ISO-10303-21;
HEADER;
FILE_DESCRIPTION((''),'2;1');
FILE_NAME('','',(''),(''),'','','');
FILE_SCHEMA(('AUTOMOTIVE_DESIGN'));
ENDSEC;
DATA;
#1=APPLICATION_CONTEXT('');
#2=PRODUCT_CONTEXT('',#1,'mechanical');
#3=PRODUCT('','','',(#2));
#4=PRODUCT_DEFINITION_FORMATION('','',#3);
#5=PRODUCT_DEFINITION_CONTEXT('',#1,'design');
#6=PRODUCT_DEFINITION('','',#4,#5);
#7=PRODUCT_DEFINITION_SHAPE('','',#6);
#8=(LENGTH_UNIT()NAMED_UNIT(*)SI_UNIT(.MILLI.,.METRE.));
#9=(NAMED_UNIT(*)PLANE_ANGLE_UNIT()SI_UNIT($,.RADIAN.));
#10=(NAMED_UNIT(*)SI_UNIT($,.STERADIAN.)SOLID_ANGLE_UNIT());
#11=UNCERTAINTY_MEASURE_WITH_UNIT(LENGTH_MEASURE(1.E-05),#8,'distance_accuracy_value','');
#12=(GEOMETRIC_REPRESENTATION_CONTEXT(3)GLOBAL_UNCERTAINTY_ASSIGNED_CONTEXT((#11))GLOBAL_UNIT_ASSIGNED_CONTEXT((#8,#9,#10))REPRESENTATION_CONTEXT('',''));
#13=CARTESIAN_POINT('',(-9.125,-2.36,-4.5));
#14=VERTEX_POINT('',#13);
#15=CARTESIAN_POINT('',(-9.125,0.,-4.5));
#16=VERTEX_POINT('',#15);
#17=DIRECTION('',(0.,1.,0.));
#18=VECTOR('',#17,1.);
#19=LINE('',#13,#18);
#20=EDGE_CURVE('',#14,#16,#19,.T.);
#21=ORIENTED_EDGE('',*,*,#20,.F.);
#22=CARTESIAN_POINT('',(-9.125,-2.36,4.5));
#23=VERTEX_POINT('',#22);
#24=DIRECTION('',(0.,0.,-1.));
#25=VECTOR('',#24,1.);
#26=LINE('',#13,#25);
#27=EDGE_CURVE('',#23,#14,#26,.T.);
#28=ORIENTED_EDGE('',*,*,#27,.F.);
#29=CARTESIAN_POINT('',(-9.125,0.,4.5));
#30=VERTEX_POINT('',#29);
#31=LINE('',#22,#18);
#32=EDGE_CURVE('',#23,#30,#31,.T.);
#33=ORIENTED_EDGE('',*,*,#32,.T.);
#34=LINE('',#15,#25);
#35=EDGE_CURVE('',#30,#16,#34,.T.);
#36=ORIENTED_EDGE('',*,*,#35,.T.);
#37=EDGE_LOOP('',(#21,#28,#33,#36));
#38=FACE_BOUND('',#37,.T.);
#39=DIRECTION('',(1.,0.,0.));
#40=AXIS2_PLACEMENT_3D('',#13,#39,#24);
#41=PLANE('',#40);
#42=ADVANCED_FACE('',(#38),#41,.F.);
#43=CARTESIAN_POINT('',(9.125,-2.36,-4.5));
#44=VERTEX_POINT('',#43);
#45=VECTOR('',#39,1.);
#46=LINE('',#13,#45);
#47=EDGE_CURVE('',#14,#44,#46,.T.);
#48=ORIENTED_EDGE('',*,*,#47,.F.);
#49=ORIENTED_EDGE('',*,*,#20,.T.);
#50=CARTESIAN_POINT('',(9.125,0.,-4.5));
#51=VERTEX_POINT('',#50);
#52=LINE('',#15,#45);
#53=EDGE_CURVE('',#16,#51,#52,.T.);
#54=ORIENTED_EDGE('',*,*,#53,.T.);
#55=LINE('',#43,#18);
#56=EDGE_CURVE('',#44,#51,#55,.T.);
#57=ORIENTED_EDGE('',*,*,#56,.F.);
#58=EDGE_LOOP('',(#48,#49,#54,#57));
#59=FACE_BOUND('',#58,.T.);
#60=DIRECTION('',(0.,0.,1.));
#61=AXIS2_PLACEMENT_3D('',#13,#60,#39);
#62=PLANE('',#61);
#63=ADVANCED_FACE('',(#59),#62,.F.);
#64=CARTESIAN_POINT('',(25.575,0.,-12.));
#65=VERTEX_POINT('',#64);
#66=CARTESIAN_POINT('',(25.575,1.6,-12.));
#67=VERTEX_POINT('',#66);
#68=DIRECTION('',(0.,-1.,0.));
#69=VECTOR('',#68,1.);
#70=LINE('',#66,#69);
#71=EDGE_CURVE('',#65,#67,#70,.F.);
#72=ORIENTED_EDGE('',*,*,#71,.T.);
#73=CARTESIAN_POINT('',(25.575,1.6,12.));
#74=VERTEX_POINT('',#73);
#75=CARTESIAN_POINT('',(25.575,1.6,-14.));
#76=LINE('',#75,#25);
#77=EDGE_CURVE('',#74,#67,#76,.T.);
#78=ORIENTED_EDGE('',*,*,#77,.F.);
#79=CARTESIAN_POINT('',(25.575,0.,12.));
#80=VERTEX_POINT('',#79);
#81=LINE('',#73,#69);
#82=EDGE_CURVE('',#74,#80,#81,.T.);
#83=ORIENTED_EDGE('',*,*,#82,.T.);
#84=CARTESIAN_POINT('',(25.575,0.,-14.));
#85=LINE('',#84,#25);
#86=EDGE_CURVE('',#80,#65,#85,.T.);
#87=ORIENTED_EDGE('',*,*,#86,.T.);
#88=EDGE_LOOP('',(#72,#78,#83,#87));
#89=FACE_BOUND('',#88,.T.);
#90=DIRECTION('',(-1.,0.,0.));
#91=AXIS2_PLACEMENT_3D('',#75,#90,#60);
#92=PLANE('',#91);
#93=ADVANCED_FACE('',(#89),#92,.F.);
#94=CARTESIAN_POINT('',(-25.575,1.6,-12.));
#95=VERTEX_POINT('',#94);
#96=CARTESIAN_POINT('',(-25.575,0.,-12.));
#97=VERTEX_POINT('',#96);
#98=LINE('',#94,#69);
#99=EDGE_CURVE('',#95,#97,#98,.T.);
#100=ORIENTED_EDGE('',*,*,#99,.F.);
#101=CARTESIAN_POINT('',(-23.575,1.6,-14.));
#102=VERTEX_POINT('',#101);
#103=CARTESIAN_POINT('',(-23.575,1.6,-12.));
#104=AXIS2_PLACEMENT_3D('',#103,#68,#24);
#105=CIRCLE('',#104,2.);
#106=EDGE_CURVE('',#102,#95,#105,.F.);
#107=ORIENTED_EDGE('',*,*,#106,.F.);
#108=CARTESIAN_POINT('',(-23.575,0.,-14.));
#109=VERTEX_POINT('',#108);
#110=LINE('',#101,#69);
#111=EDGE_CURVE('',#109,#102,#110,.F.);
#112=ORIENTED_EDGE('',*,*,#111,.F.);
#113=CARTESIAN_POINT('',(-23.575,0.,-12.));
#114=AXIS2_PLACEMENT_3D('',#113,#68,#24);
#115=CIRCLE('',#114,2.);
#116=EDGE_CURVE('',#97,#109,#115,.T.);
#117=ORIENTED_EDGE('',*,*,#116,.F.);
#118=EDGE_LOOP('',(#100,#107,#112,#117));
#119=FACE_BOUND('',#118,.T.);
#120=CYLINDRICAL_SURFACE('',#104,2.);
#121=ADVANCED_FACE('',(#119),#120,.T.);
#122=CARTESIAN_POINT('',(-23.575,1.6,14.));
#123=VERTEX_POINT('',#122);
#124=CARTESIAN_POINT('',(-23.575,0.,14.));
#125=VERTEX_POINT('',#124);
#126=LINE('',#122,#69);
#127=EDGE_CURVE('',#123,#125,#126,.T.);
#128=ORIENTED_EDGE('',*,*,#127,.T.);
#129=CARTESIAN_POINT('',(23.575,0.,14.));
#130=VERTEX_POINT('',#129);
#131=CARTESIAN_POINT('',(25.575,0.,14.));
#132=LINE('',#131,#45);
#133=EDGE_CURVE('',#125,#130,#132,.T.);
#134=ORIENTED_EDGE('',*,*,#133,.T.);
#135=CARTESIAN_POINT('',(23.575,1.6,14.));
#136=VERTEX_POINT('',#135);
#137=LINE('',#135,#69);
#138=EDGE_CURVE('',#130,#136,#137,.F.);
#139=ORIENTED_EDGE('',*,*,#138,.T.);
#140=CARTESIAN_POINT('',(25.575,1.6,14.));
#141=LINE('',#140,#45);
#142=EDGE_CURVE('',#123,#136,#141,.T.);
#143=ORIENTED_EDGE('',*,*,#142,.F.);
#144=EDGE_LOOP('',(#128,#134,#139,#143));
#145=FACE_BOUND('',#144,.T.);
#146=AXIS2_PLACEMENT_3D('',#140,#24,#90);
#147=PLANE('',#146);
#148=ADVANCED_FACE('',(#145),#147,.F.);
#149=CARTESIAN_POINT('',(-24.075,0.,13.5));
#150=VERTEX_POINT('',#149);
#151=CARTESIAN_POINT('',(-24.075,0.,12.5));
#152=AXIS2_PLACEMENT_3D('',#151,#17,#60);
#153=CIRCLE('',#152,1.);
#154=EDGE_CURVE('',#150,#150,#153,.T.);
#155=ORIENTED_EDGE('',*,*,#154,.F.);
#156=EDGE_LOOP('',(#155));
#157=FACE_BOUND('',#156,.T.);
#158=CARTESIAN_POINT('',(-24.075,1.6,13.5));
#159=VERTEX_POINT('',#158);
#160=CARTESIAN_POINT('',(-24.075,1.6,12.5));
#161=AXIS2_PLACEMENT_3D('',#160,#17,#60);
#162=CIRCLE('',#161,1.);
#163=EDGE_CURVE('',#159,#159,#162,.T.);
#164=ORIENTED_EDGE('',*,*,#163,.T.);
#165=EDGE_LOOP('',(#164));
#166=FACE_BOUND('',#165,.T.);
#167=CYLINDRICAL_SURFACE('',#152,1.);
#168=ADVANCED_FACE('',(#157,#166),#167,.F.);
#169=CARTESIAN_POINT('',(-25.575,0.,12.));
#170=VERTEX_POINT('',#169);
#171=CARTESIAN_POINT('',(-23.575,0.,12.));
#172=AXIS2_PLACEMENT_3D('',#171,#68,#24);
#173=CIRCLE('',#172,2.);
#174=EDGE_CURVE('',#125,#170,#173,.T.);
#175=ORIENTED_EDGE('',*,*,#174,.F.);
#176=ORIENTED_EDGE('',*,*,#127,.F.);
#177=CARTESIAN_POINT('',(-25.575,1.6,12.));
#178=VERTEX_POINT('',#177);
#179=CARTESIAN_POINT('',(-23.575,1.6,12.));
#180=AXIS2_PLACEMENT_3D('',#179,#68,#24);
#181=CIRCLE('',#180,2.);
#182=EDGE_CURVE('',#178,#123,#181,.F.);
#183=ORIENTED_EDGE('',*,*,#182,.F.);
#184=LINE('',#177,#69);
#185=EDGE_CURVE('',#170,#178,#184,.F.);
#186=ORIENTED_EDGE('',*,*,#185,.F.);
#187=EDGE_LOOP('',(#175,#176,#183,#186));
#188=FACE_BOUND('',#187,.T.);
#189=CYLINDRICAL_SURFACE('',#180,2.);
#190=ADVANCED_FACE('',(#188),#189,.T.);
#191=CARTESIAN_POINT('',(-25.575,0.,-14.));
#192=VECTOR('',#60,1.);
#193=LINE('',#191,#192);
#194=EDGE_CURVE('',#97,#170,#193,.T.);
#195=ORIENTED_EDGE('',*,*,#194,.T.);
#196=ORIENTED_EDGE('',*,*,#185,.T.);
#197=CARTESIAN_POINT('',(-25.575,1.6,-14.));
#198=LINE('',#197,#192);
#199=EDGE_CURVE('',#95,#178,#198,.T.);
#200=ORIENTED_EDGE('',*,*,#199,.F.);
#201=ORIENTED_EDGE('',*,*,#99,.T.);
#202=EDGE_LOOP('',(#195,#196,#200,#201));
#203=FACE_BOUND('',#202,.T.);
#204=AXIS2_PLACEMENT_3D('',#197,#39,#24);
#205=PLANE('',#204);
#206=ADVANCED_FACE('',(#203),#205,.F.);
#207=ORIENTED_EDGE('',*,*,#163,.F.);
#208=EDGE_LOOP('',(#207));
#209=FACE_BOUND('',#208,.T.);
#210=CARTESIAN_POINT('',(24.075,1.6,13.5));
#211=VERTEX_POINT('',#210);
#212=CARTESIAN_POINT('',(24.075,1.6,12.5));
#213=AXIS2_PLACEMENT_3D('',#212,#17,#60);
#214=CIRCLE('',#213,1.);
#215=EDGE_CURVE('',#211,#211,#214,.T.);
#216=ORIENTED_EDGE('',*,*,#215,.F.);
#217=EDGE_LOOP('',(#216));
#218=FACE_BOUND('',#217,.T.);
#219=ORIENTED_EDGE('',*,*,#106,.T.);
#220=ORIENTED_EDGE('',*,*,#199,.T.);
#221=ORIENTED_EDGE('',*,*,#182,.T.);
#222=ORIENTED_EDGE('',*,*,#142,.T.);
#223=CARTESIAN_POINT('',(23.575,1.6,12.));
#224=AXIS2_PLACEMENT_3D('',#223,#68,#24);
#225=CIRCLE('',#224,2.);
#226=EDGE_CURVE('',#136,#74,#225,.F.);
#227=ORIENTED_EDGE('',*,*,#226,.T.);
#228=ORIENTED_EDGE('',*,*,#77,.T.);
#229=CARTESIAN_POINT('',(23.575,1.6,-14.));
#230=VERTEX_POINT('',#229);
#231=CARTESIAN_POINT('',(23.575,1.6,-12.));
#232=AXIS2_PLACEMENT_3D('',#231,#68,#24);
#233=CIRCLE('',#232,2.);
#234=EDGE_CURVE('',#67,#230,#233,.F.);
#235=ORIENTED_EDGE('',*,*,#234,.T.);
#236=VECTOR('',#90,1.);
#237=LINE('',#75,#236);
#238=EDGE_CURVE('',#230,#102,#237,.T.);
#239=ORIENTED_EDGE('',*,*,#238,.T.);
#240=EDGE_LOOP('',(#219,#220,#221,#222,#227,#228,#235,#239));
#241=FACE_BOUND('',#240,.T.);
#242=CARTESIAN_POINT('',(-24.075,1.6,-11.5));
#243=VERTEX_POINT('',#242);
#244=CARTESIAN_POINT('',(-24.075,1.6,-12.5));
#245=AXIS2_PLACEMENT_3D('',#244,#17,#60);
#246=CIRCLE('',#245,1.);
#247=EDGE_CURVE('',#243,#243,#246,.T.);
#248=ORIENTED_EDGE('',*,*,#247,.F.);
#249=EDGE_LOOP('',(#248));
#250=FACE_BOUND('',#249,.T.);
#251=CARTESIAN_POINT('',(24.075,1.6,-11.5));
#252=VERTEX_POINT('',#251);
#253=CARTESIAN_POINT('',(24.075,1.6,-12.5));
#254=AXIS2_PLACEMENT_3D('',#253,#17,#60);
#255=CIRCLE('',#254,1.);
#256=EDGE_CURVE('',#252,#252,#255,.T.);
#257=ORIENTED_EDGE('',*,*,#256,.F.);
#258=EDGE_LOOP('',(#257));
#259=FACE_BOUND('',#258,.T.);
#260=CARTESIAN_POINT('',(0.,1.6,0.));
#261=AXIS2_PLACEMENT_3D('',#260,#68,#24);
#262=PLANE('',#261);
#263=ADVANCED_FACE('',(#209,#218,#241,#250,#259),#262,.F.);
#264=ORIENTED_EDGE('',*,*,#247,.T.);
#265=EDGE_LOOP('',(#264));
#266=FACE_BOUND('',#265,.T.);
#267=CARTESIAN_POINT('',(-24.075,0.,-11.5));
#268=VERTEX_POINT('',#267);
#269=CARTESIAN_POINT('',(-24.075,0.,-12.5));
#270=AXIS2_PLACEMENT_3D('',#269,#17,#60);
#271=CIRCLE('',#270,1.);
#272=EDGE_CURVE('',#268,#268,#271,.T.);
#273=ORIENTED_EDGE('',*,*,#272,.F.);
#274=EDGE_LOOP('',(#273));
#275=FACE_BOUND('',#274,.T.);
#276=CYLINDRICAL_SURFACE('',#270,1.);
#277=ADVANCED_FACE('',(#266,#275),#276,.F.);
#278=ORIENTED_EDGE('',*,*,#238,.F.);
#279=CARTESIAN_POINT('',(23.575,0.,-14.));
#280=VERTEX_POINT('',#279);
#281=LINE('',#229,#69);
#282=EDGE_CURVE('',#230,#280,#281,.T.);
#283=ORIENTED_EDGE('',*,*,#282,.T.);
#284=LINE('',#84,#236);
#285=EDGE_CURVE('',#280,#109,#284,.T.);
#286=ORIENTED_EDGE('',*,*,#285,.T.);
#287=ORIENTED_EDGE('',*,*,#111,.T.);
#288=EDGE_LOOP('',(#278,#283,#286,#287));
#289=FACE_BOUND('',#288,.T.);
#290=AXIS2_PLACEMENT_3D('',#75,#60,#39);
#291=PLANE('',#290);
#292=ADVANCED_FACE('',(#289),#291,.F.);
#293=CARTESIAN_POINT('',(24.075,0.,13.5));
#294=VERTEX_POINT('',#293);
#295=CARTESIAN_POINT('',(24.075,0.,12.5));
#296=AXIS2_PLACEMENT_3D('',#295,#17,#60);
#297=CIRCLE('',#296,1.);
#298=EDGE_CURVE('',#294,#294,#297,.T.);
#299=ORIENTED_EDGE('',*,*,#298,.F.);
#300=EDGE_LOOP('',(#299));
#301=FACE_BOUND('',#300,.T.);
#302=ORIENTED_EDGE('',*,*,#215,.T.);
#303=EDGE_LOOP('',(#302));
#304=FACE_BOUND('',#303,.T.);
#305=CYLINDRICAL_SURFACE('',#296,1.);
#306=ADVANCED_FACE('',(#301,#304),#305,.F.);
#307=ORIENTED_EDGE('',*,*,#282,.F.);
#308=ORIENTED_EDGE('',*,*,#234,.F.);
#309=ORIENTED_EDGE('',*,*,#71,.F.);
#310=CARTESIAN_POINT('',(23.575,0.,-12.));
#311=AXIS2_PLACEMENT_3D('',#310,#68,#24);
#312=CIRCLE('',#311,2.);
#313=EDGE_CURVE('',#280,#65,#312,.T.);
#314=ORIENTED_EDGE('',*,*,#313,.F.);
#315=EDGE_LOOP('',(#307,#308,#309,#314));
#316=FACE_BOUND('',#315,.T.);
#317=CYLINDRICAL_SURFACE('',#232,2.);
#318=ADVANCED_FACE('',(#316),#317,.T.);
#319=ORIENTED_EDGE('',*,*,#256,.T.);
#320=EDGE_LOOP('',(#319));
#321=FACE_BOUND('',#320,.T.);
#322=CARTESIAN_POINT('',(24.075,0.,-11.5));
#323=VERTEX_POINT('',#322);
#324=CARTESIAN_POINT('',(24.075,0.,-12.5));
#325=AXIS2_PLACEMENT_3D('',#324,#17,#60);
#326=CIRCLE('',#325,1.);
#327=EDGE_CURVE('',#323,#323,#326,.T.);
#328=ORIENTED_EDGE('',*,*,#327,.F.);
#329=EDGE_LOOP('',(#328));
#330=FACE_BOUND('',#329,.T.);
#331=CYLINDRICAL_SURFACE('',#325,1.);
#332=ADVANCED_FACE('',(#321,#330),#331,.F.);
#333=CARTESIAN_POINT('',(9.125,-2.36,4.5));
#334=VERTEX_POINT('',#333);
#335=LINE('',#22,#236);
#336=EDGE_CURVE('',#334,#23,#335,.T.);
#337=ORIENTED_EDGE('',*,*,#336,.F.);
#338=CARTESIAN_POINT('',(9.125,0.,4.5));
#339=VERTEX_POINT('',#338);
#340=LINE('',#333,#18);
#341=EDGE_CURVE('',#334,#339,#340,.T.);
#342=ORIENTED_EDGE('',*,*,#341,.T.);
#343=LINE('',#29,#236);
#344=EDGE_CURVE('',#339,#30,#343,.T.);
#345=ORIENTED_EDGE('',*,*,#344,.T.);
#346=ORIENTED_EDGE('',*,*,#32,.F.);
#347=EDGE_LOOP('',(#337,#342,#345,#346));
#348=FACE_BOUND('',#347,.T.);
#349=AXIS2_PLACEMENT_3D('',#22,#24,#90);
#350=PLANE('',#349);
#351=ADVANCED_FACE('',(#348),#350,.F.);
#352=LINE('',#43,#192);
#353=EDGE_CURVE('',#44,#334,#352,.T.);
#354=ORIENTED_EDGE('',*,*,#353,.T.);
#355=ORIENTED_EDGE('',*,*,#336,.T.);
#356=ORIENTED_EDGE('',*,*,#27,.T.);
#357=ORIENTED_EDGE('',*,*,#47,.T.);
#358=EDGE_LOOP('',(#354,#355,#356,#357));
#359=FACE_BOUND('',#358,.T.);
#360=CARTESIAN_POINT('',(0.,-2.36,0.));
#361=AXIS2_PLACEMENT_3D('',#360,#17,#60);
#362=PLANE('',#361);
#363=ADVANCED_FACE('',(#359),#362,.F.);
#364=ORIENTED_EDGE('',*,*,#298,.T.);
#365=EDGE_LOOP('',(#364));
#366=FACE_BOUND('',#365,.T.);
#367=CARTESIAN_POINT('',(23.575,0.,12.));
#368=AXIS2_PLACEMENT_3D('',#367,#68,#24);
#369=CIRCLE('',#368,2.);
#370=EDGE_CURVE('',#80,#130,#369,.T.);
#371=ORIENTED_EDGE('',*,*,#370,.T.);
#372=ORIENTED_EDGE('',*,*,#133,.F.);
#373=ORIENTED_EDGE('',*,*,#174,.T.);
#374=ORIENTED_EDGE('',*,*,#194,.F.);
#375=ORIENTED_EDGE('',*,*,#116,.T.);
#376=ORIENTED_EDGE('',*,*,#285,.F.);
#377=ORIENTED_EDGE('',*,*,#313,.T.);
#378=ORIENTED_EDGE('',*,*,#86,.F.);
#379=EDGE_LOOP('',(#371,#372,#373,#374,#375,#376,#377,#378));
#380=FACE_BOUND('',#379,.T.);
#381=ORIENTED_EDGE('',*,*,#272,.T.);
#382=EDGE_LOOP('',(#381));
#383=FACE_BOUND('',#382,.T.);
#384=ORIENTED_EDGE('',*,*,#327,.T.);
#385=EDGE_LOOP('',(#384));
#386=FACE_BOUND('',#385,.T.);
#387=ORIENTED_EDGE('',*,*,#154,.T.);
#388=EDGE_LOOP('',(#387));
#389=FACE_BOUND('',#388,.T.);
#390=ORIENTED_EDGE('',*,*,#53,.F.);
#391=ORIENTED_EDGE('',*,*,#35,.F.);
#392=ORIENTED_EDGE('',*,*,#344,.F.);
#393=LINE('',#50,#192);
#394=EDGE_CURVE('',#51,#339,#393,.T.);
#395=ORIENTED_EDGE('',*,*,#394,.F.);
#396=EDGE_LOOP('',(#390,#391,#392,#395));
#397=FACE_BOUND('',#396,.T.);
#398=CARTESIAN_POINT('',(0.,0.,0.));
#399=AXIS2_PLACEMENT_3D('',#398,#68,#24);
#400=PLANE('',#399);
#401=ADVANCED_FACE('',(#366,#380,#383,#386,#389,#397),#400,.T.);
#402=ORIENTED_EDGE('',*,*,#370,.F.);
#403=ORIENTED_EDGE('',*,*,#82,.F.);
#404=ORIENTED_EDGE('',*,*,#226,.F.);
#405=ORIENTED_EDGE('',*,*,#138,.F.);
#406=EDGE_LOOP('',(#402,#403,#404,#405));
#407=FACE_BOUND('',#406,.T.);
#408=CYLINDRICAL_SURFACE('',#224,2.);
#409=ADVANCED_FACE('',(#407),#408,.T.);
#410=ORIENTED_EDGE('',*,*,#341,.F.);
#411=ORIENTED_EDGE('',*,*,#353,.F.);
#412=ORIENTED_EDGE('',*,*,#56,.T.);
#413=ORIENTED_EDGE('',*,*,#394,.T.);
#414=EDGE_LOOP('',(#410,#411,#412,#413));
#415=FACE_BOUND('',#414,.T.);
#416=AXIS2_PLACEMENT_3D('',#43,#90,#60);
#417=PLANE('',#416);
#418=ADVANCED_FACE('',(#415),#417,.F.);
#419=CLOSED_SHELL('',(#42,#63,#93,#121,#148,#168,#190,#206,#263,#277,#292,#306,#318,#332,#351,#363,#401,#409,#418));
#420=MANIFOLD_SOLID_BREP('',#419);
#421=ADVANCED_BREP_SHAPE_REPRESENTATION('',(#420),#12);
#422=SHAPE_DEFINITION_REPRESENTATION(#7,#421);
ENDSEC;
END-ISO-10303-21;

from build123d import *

# Parameters (mm, degrees)
SKETCH1_W           = 51.15
SKETCH1_H           = 28
BOSS_EXTRUDE1_DEPTH = 1.6
SKETCH2_R           = 1
CUT_EXTRUDE1_DEPTH  = 30.200010702
FILLET1_R           = 2
SKETCH3_W           = 18.25
SKETCH3_H           = 9
BOSS_EXTRUDE2_DEPTH = 2.36


with BuildPart() as part:
    # Sketch1 → Boss-Extrude1 (new body)
    with BuildSketch(Plane(origin=(0, 0, 0), x_dir=(1, 0, 0), z_dir=(0, 1, 0))):
        Rectangle(SKETCH1_W, SKETCH1_H)
    extrude(amount=BOSS_EXTRUDE1_DEPTH)

    # Sketch2 → Cut-Extrude1 (cut, through all)
    with BuildSketch(Plane(origin=(0, 1.6, 0), x_dir=(1, 0, 0), z_dir=(0, 1, 0))):
        with Locations((-24.075, 12.5)):
            Circle(SKETCH2_R)
        with Locations((24.075, 12.5)):
            Circle(SKETCH2_R)
        with Locations((24.075, -12.5)):
            Circle(SKETCH2_R)
        with Locations((-24.075, -12.5)):
            Circle(SKETCH2_R)
    extrude(amount=-CUT_EXTRUDE1_DEPTH, mode=Mode.SUBTRACT)

    # Fillet1
    fillet1_edges = [part.edges().sort_by_distance(p)[0] for p in [
        (25.575, 0.8, -14),
        (25.575, 0.8, 14),
        (-25.575, 0.8, 14),
        (-25.575, 0.8, -14),
    ]]
    fillet(fillet1_edges, radius=FILLET1_R)

    # Sketch3 → Boss-Extrude2 (add)
    with BuildSketch(Plane.XZ):
        Rectangle(SKETCH3_W, SKETCH3_H)
    extrude(amount=BOSS_EXTRUDE2_DEPTH)


solid = part.part
